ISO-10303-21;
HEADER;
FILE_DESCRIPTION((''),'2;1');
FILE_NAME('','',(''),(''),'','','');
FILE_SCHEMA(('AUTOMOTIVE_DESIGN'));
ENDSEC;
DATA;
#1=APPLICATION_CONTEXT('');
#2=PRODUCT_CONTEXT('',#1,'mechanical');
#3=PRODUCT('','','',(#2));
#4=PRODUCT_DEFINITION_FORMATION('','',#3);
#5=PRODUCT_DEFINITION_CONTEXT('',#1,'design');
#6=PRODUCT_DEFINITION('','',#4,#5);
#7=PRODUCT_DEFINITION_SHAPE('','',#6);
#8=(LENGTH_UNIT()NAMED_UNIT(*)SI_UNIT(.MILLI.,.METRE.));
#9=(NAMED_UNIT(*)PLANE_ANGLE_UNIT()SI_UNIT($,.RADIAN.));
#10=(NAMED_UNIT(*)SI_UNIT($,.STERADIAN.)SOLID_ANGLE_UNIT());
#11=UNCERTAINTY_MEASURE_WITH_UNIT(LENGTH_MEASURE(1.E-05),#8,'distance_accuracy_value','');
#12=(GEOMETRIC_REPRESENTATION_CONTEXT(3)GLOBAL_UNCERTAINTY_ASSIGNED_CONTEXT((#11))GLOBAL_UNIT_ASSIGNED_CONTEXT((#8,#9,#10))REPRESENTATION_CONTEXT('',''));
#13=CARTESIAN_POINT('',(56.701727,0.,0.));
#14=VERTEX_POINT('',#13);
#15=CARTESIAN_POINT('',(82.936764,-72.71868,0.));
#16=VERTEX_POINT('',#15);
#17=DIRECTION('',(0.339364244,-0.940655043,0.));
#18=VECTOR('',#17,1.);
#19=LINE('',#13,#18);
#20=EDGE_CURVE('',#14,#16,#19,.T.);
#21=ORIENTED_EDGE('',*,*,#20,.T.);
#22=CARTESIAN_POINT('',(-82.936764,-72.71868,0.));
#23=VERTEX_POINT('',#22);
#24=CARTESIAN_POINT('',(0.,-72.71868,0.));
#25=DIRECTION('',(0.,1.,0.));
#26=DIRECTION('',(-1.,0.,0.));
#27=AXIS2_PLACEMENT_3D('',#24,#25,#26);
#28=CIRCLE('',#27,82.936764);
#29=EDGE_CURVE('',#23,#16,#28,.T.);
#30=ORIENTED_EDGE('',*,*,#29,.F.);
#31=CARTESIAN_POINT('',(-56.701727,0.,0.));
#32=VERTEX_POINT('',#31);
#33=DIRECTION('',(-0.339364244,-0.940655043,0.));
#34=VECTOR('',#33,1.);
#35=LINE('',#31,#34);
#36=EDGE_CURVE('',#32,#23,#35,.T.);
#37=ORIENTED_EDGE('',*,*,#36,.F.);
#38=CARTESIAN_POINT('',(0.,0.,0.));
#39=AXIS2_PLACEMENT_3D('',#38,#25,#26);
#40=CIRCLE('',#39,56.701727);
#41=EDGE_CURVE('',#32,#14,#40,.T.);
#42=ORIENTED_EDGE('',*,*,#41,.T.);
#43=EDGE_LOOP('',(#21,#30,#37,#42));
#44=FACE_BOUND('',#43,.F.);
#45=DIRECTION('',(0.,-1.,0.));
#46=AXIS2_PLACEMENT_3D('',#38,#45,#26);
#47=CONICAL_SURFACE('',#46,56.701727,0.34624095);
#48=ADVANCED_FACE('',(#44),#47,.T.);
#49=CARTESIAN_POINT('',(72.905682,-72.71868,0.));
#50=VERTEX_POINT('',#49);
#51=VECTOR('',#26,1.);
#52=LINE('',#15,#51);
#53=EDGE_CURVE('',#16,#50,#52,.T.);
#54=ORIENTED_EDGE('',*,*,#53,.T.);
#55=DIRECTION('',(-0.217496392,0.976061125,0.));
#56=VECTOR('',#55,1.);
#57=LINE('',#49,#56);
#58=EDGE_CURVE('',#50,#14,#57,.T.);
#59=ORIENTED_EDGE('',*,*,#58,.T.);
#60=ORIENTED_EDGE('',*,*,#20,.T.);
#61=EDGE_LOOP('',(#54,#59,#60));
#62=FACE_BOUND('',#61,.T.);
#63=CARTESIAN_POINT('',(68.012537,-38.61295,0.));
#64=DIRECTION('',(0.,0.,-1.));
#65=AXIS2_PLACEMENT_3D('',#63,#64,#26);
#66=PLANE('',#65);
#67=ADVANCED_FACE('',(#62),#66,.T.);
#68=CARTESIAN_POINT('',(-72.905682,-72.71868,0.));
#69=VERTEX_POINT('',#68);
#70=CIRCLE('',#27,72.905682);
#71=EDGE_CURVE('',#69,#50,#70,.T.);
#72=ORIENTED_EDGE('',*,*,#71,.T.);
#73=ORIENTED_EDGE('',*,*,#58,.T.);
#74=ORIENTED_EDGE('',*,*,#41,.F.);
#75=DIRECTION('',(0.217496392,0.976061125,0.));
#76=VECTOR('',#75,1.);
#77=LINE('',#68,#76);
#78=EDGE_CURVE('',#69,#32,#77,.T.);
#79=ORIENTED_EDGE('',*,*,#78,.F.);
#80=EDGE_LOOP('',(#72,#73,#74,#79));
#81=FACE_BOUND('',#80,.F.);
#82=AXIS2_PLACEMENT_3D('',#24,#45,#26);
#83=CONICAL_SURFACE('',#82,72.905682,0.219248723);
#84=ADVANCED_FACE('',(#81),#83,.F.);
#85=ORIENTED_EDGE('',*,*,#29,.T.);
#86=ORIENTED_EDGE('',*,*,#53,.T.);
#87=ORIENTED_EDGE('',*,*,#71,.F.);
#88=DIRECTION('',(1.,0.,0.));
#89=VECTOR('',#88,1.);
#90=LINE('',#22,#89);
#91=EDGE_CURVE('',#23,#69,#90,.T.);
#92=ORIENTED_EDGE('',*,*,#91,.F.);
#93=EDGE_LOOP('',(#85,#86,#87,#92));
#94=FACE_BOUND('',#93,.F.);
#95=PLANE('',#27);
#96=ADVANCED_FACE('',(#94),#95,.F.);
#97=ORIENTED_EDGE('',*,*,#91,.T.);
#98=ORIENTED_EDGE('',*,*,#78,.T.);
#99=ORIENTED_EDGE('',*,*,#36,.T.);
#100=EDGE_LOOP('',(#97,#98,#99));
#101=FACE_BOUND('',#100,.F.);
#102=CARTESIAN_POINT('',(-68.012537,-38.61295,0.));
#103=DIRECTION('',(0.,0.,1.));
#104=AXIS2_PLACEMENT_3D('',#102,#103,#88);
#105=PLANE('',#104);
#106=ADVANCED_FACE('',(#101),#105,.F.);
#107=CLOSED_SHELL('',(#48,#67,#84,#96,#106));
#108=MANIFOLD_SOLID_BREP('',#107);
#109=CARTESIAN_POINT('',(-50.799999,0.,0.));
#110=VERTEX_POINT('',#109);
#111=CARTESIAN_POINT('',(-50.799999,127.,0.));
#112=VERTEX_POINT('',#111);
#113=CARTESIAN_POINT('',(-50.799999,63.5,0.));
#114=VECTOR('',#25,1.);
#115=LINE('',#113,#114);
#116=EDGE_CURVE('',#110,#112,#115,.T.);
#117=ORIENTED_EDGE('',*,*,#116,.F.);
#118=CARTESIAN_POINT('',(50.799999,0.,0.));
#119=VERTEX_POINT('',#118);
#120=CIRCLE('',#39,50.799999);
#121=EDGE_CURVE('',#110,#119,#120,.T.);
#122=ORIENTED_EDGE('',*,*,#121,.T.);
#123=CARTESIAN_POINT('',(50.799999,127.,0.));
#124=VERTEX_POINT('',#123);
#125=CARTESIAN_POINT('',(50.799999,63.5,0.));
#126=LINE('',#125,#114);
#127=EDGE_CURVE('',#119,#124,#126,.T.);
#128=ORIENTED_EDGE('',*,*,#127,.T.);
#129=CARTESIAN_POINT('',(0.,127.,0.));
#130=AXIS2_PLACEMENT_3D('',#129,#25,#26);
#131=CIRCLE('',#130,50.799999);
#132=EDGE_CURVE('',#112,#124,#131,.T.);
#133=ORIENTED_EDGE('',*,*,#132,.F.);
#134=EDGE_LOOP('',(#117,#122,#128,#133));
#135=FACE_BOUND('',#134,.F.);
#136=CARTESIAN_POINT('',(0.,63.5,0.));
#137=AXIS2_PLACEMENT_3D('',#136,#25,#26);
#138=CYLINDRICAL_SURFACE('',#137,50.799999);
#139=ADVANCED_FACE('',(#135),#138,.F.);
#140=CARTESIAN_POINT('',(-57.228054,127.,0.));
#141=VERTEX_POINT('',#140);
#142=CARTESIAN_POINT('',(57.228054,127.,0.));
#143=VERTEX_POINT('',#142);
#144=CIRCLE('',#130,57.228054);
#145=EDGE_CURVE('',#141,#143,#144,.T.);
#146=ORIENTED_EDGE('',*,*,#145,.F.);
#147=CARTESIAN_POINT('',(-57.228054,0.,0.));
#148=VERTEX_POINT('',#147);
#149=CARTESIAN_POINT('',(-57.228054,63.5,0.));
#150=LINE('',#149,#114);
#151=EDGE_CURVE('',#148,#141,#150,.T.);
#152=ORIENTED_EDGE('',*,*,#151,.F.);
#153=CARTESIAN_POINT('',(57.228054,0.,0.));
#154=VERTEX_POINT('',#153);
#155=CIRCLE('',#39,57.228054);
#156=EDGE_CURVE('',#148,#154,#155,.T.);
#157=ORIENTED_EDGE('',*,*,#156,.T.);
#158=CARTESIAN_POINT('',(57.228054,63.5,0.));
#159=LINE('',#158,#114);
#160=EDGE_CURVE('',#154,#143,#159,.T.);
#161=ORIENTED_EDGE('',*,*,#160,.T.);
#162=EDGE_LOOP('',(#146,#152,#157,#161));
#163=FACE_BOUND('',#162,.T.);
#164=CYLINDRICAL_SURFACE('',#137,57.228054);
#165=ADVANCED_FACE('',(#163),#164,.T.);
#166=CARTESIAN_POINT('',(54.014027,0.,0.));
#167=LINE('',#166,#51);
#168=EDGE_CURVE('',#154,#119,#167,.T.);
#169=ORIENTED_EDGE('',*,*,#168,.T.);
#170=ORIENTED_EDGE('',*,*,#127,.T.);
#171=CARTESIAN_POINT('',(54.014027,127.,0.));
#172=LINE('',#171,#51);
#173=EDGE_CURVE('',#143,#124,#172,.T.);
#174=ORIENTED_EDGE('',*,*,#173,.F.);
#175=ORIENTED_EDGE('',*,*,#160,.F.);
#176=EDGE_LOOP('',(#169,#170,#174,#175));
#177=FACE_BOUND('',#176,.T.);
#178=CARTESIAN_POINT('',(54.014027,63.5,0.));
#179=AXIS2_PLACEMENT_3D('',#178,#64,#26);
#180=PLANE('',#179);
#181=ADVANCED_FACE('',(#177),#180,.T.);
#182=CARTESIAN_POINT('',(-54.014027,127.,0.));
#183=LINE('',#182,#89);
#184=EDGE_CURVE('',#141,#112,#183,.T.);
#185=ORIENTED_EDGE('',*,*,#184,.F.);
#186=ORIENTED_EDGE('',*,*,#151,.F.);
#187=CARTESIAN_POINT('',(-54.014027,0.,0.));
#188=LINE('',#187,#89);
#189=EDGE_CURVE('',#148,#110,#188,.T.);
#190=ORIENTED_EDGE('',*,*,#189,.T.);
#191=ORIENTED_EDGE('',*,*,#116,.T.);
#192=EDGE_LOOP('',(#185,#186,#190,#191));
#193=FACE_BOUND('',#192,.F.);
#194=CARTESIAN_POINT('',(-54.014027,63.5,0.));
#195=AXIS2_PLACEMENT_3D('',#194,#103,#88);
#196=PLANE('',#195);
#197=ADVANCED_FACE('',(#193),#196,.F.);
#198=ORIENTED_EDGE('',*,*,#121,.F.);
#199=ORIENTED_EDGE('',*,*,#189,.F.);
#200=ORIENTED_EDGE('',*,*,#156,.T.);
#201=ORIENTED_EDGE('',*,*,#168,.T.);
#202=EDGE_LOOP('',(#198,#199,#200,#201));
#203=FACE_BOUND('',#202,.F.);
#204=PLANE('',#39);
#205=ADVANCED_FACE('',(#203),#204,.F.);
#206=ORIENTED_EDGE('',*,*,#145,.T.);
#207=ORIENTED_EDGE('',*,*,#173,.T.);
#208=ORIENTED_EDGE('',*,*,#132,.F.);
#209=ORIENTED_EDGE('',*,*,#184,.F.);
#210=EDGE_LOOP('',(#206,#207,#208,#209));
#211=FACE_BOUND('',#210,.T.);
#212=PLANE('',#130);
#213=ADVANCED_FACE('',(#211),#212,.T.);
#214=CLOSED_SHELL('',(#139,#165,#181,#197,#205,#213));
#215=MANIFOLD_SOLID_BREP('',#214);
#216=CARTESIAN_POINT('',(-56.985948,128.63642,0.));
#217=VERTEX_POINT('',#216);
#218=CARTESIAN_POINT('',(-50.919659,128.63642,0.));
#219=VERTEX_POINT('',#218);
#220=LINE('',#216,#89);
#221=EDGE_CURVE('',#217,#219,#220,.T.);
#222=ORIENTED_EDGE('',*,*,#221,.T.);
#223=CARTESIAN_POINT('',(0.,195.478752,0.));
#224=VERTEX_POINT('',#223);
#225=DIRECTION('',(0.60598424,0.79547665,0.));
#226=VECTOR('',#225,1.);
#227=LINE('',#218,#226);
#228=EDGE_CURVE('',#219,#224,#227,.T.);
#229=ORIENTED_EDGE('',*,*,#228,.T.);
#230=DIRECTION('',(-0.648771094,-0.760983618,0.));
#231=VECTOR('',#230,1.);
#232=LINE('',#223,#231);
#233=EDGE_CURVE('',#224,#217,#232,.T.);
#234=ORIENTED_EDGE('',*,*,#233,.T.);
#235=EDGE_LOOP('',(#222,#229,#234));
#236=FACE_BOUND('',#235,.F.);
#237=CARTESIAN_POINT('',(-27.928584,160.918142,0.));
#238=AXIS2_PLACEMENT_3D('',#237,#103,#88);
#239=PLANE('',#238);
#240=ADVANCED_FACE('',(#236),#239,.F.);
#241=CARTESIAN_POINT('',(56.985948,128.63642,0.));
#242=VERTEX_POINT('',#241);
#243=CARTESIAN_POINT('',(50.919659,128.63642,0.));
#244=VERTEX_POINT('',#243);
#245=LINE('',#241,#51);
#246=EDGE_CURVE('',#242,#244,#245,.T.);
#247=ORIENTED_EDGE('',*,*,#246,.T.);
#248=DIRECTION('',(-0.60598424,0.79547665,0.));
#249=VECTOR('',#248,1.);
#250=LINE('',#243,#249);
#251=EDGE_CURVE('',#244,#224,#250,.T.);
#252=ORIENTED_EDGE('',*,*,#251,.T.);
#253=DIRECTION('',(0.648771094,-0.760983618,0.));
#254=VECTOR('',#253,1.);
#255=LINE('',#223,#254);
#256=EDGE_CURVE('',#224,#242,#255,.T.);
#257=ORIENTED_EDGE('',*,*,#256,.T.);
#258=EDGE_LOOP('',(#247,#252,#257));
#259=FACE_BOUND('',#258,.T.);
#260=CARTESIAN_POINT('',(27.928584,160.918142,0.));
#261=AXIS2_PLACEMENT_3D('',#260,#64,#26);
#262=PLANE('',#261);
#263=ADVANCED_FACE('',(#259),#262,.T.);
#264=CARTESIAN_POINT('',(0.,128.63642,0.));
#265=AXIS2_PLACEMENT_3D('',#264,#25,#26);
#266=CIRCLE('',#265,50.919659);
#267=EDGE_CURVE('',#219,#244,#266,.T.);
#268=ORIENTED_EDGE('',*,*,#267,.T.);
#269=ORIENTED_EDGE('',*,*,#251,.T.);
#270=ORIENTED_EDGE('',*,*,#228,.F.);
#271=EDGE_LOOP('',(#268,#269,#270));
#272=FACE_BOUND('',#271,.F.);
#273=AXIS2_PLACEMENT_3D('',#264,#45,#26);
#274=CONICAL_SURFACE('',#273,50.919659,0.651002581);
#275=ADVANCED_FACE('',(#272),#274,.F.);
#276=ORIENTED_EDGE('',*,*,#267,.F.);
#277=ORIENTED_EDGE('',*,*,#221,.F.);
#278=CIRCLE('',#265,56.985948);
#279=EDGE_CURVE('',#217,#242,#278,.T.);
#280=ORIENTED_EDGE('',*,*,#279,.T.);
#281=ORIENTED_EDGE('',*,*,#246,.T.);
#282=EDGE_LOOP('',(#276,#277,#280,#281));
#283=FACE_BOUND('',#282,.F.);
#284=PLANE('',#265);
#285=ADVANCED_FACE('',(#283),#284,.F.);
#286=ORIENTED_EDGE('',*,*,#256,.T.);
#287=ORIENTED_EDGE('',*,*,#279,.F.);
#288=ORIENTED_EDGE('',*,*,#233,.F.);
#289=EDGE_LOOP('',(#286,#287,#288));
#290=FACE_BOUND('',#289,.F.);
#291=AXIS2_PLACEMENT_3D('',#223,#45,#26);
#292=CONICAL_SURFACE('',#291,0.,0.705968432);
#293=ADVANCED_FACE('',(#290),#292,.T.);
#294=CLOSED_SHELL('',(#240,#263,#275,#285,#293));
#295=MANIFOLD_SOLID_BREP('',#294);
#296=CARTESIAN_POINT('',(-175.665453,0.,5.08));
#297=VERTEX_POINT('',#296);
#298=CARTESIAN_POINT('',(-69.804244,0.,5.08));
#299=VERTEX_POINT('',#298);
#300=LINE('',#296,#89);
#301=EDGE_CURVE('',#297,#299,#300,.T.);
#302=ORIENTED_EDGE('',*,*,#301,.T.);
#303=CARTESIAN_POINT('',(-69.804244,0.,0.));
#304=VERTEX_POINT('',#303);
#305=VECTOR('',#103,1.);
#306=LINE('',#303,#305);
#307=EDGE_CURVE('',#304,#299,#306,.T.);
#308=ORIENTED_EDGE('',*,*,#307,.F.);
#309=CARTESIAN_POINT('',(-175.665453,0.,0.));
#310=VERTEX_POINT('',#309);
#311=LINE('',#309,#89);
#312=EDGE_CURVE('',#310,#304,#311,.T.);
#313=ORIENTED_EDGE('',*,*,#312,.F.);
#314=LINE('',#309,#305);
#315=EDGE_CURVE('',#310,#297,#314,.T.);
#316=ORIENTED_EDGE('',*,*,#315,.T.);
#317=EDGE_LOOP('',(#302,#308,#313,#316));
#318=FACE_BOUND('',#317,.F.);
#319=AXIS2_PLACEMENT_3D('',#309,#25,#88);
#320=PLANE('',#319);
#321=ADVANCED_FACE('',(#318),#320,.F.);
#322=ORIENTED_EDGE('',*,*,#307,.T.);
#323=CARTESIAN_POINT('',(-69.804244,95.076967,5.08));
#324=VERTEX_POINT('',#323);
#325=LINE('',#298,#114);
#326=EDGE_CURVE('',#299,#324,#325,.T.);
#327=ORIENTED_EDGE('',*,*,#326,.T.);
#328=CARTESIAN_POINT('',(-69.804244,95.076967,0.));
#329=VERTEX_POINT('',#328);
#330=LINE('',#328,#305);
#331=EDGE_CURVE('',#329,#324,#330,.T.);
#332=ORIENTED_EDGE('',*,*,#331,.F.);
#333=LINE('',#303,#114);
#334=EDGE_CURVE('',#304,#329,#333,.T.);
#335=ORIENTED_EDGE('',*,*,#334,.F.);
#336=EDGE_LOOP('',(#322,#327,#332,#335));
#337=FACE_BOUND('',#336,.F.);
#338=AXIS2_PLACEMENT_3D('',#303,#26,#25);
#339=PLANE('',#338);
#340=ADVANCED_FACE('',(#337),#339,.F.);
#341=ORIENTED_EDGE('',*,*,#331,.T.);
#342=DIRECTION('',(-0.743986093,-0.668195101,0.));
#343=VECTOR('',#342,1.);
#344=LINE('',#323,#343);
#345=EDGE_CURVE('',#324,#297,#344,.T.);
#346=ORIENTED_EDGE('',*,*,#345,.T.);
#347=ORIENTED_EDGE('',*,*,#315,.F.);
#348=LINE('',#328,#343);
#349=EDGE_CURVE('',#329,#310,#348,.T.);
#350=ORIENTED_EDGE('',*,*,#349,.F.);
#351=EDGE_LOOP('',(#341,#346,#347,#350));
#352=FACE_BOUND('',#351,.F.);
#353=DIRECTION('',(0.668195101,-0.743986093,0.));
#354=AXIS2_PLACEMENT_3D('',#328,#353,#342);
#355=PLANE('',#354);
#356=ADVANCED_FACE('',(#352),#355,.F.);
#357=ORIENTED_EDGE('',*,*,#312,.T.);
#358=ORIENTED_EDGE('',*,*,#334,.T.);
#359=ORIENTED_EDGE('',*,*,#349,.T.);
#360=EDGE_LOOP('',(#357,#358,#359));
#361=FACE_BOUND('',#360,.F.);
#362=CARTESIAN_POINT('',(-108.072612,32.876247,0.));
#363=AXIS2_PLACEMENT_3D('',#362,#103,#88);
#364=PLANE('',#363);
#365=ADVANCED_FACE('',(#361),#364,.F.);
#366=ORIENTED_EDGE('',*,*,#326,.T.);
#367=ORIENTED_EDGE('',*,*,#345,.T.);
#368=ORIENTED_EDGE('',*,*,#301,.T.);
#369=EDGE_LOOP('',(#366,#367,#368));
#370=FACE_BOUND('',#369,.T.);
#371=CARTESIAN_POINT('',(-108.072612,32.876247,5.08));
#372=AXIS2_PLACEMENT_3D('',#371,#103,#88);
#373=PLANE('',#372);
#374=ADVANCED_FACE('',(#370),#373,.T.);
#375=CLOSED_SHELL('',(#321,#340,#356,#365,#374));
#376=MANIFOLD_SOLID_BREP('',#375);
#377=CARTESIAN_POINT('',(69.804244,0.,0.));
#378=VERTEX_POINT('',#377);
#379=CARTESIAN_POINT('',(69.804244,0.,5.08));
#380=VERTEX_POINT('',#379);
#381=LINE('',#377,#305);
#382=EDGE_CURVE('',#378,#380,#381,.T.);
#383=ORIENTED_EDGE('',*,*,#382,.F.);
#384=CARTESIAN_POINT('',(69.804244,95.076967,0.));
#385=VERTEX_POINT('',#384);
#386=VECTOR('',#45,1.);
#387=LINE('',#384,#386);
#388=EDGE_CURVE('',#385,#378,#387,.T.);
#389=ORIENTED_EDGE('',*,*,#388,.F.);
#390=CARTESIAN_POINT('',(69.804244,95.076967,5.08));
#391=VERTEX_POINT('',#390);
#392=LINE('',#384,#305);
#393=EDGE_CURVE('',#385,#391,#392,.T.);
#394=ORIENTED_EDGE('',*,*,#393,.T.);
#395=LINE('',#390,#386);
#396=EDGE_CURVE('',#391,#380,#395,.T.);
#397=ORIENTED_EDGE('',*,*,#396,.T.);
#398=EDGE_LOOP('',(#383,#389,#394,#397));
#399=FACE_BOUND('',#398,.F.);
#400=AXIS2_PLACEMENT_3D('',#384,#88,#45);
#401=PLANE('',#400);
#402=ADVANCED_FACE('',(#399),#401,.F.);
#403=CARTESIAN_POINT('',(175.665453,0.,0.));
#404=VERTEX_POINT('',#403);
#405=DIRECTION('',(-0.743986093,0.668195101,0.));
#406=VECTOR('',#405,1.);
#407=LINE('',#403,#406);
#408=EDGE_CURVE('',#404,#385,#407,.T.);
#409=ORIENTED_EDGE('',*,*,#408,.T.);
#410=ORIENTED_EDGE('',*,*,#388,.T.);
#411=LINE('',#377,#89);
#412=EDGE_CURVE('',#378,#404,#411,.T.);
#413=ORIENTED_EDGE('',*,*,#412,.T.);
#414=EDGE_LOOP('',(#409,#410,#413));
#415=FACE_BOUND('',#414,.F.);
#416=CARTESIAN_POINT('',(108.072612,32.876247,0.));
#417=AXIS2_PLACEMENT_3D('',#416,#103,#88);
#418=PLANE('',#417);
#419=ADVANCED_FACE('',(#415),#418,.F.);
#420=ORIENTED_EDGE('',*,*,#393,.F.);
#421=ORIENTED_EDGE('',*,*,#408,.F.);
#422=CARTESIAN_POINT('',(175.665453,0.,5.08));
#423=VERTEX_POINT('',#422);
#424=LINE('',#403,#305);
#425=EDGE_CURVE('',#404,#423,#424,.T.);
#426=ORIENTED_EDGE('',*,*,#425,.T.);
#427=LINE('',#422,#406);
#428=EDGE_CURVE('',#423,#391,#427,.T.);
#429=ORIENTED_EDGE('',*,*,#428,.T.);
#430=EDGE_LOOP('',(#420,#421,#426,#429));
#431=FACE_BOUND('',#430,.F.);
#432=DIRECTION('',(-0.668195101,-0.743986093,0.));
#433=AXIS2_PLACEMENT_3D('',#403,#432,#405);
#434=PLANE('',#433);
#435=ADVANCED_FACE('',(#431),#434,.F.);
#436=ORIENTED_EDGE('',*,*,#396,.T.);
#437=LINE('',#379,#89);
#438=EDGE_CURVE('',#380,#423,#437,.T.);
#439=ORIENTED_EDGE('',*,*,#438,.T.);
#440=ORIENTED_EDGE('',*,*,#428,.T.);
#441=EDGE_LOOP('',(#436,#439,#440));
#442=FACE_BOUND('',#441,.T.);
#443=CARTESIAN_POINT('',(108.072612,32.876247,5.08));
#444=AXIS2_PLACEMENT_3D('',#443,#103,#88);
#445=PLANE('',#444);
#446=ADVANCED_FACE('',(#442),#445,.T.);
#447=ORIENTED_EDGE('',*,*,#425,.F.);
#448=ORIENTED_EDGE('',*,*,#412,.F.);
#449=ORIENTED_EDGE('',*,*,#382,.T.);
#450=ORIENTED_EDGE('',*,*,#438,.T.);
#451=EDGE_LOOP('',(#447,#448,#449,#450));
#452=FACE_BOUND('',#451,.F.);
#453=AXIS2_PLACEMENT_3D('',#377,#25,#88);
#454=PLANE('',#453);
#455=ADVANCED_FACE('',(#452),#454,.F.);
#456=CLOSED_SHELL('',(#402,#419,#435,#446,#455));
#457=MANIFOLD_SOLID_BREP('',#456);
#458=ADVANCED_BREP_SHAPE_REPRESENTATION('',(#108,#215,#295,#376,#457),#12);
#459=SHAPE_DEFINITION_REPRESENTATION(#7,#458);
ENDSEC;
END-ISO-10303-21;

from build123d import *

# Parameters (mm, degrees)
F0_W     = 6.428055
F0_H     = 127
F1_ANGLE = 180
F4_ANGLE = -180
F6_ANGLE = -180
F7_DEPTH = 5.08


with BuildPart() as f1:
    # F0 (on Top) → F1 (revolve)
    with BuildSketch(Plane.XY):
        with Locations((-54.014027, 63.5)):
            Rectangle(F0_W, F0_H)
    revolve(axis=Axis((0, 11.776872, 0), (0, 1, 0)), revolution_arc=F1_ANGLE)


with BuildPart() as f4:
    # F3 (on Top) → F4 (revolve)
    with BuildSketch(Plane.XY):
        Polygon((0, 195.478752), (-56.985948, 128.63642), (-50.919659, 128.63642), align=None)
    revolve(axis=Axis((0, 172.260292, 0), (0, -1, 0)), revolution_arc=F4_ANGLE)


with BuildPart() as f6:
    # F5 (on Top) → F6 (revolve)
    with BuildSketch(Plane.XY):
        Polygon((-72.905682, -72.71868), (-56.701727, 0), (-82.936764, -72.71868), align=None)
    revolve(axis=Axis((0, -10.314184, 0), (0, -1, 0)), revolution_arc=F6_ANGLE)


with BuildPart() as f7:
    # F2 (on Top) → F7 (new body)
    with BuildSketch(Plane.XY):
        Polygon((-175.665453, 0), (-69.804244, 0), (-69.804244, 95.076967), align=None)
        Polygon((69.804244, 95.076967), (69.804244, 0), (175.665453, 0), align=None)
    extrude(amount=F7_DEPTH)


solid = Compound([f1.part, f4.part, f6.part, f7.part])
